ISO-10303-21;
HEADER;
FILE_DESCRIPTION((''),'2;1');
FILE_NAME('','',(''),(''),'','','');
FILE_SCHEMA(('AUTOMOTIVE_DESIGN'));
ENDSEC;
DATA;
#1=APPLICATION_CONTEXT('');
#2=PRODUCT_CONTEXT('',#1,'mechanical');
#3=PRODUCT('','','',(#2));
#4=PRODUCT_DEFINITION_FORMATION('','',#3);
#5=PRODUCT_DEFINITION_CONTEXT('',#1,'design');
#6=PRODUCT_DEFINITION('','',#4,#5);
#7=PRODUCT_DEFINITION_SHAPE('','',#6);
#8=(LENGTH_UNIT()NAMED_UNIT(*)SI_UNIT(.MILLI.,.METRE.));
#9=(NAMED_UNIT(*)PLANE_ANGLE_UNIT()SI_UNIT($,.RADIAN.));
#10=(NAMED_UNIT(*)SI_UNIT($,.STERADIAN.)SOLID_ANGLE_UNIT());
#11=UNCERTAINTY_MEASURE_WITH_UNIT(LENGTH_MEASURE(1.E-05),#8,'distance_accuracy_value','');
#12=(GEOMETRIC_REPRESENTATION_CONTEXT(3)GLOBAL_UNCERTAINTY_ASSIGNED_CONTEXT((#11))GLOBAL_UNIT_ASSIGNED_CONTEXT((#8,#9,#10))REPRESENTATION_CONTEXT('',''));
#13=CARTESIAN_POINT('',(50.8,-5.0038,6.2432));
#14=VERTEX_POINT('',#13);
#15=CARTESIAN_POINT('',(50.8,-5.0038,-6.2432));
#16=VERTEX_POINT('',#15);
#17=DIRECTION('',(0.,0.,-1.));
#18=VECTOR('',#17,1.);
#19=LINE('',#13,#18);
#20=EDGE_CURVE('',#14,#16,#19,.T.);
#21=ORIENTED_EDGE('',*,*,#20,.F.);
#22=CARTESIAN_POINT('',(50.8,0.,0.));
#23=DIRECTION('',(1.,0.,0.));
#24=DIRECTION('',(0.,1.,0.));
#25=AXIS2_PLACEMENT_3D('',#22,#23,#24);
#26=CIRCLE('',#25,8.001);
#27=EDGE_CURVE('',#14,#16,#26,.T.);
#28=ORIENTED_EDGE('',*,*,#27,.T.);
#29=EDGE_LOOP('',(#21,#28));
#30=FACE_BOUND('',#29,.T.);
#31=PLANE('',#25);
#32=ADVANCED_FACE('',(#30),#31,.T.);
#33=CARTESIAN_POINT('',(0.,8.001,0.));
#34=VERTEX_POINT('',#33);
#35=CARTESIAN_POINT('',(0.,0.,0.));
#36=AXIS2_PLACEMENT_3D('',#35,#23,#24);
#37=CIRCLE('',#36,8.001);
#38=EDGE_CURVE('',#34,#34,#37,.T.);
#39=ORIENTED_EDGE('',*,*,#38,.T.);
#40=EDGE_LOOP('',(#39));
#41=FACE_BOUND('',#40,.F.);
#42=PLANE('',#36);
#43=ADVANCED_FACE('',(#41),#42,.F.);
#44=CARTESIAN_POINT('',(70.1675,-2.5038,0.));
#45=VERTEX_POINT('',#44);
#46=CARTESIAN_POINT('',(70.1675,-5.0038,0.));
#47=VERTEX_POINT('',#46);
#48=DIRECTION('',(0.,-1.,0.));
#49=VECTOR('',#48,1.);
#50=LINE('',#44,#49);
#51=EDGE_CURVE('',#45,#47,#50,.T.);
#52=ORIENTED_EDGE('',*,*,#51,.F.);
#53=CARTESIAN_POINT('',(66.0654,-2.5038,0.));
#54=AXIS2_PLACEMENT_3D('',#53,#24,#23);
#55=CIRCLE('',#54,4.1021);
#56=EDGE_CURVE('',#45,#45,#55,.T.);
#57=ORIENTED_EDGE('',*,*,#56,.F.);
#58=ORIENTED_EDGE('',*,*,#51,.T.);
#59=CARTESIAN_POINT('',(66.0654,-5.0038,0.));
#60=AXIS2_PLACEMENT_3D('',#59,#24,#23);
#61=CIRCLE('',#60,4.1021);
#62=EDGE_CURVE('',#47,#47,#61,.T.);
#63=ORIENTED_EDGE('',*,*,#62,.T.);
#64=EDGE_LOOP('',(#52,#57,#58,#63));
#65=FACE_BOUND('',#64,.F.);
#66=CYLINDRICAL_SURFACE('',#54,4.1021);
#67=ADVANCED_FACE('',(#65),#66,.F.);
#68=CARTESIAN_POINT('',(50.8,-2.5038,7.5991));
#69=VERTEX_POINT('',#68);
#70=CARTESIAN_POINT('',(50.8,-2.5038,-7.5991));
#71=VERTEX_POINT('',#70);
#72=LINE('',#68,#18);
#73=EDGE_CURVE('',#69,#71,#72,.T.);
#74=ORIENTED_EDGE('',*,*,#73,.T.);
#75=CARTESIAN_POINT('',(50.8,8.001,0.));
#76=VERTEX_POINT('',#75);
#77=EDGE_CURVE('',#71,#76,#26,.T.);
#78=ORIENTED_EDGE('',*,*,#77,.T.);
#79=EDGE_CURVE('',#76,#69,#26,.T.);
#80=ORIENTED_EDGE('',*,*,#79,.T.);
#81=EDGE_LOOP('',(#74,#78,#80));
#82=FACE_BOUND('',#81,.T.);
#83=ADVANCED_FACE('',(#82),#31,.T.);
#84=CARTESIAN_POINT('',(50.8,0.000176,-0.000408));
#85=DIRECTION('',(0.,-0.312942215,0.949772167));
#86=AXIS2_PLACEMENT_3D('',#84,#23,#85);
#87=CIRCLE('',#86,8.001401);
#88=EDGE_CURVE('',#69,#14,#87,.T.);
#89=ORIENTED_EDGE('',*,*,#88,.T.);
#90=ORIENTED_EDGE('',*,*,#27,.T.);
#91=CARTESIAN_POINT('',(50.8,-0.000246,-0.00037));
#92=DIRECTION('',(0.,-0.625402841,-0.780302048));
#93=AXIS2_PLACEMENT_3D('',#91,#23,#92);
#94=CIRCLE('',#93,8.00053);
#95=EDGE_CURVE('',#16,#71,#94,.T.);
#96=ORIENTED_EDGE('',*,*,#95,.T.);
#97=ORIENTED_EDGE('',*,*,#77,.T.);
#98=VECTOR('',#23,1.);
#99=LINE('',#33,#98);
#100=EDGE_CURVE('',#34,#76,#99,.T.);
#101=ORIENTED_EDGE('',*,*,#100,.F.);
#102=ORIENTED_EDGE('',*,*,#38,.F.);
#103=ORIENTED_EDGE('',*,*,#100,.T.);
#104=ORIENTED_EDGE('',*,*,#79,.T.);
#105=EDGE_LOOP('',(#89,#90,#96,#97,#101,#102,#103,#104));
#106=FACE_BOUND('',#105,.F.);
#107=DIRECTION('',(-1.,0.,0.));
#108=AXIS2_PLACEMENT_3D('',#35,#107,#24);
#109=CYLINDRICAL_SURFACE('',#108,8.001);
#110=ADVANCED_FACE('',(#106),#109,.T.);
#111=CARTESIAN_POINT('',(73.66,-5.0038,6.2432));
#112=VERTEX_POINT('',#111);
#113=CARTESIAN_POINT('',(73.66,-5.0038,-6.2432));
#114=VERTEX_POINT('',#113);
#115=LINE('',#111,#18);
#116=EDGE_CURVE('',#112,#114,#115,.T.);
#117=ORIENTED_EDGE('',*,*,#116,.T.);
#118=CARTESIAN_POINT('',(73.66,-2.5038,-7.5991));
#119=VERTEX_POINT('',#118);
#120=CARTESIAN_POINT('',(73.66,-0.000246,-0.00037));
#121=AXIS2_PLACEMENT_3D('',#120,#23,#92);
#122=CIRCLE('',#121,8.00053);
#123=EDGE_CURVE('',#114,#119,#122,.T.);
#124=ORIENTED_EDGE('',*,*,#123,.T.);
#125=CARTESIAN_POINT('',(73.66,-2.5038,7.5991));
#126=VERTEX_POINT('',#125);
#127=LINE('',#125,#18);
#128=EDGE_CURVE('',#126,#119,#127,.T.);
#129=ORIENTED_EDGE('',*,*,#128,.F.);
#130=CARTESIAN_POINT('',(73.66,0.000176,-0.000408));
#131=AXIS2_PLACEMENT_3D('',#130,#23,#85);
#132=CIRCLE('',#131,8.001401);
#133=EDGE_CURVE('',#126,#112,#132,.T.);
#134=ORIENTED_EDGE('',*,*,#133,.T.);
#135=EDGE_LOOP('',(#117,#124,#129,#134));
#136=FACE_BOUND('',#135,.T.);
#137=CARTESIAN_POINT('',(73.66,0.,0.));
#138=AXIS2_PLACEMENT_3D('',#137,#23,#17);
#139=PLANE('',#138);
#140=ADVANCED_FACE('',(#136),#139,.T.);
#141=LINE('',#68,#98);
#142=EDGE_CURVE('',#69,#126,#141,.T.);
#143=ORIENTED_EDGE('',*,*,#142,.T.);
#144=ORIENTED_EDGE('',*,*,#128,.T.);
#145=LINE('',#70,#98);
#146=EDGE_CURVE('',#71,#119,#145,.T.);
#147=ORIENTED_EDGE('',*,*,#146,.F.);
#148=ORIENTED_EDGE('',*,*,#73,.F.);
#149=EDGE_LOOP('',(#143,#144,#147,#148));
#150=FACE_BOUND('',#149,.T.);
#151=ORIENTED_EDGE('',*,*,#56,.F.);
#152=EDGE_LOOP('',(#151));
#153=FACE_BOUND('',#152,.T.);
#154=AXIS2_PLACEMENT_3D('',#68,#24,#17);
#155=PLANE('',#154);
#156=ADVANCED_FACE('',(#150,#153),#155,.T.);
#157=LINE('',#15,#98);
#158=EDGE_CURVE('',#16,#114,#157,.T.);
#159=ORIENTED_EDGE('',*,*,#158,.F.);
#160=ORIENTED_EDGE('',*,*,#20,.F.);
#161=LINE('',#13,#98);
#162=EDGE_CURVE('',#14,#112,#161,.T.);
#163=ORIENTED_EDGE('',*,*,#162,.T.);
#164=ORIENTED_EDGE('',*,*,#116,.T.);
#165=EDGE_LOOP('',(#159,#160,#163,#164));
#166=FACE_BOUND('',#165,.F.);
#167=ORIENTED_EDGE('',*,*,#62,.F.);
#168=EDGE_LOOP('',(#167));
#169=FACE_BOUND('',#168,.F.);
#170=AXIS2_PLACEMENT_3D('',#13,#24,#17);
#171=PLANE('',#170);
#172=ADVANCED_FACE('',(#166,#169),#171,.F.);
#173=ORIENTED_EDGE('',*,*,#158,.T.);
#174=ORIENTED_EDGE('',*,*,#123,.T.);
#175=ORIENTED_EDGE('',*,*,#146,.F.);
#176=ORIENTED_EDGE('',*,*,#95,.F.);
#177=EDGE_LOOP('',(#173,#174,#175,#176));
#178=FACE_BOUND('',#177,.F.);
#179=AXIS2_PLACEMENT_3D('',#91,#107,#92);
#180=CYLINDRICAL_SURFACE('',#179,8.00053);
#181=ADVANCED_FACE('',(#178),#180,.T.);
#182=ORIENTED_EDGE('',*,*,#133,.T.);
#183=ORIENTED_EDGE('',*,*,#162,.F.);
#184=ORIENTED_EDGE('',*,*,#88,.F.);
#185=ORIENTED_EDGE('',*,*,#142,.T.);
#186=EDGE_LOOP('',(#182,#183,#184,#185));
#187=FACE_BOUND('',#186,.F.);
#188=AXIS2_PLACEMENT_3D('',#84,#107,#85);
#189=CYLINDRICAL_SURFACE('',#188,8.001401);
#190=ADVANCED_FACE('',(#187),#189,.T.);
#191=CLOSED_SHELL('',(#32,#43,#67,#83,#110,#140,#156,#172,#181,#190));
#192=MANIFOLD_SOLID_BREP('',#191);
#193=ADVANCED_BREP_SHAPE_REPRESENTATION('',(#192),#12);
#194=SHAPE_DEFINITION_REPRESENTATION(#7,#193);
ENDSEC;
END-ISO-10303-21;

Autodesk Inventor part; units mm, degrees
ref_plane "YZ Plane" through (0, 0, 0) normal (1, 0, 0) x (0, 1, 0)
ref_plane "XZ Plane" through (0, 0, 0) normal (0, 1, 0) x (-1, 0, 0)
ref_plane "XY Plane" through (0, 0, 0) normal (0, 0, 1) x (1, 0, 0)
sketch "Sketch1" plane through (0, 0, 0) normal (1, 0, 0) x (0, 1, 0)
  circle A0 centre (0, 0) radius 8.001
  dimension "d0" = 16.002
extrude "Extrusion1" add sketch "Sketch1" along normal blind 50.8
sketch "Sketch2" plane through (50.8, 0, 0) normal (1, 0, 0) x (0, 0, -1)
  line L0 (-6.2432, -5.0038) -> (6.2432, -5.0038)
  line L1 (-7.5991, -2.5038) -> (7.5991, -2.5038)
  arc A0 (6.2432, -5.0038) -> (7.5991, -2.5038) centre (0, 0) ccw
  arc A1 (-7.5991, -2.5038) -> (-6.2432, -5.0038) centre (0, 0) ccw
  circle A2 centre (0, 0) radius 8.001 projected
  point P0 (7.0332, -3.8145)
  point P1 (-7.0332, -3.8145)
  dimension "d3" = 5.0038
  dimension "d4" = 2.5
extrude "Extrusion2" add sketch "Sketch2" along normal blind 22.86 contours A1 L1 A0 L0
sketch "Sketch3" plane through (50.8, -2.5038, 7.5991) normal (0, 1, 0) x (1, 0, 0)
  circle A0 centre (15.2654, 7.5991) radius 4.1021
  line L0 (0, 15.1983) -> (22.86, 15.1983) projected
  line L1 (0, 0) -> (22.86, 0) projected
  line L2 (0, 0) -> (0, 15.1983) projected
  point P0 (-50.8, 7.5991)
  dimension "d8" = 8.2042
  dimension "d9" = 7.5991
  dimension "d10" = 15.1983
  dimension "d13" = 15.2654
extrude "Extrusion3" cut sketch "Sketch3" against normal blind 15.0114
equation "\"d9\" = 0.5 * d10"
properties part number "Ring Connector model 4"
